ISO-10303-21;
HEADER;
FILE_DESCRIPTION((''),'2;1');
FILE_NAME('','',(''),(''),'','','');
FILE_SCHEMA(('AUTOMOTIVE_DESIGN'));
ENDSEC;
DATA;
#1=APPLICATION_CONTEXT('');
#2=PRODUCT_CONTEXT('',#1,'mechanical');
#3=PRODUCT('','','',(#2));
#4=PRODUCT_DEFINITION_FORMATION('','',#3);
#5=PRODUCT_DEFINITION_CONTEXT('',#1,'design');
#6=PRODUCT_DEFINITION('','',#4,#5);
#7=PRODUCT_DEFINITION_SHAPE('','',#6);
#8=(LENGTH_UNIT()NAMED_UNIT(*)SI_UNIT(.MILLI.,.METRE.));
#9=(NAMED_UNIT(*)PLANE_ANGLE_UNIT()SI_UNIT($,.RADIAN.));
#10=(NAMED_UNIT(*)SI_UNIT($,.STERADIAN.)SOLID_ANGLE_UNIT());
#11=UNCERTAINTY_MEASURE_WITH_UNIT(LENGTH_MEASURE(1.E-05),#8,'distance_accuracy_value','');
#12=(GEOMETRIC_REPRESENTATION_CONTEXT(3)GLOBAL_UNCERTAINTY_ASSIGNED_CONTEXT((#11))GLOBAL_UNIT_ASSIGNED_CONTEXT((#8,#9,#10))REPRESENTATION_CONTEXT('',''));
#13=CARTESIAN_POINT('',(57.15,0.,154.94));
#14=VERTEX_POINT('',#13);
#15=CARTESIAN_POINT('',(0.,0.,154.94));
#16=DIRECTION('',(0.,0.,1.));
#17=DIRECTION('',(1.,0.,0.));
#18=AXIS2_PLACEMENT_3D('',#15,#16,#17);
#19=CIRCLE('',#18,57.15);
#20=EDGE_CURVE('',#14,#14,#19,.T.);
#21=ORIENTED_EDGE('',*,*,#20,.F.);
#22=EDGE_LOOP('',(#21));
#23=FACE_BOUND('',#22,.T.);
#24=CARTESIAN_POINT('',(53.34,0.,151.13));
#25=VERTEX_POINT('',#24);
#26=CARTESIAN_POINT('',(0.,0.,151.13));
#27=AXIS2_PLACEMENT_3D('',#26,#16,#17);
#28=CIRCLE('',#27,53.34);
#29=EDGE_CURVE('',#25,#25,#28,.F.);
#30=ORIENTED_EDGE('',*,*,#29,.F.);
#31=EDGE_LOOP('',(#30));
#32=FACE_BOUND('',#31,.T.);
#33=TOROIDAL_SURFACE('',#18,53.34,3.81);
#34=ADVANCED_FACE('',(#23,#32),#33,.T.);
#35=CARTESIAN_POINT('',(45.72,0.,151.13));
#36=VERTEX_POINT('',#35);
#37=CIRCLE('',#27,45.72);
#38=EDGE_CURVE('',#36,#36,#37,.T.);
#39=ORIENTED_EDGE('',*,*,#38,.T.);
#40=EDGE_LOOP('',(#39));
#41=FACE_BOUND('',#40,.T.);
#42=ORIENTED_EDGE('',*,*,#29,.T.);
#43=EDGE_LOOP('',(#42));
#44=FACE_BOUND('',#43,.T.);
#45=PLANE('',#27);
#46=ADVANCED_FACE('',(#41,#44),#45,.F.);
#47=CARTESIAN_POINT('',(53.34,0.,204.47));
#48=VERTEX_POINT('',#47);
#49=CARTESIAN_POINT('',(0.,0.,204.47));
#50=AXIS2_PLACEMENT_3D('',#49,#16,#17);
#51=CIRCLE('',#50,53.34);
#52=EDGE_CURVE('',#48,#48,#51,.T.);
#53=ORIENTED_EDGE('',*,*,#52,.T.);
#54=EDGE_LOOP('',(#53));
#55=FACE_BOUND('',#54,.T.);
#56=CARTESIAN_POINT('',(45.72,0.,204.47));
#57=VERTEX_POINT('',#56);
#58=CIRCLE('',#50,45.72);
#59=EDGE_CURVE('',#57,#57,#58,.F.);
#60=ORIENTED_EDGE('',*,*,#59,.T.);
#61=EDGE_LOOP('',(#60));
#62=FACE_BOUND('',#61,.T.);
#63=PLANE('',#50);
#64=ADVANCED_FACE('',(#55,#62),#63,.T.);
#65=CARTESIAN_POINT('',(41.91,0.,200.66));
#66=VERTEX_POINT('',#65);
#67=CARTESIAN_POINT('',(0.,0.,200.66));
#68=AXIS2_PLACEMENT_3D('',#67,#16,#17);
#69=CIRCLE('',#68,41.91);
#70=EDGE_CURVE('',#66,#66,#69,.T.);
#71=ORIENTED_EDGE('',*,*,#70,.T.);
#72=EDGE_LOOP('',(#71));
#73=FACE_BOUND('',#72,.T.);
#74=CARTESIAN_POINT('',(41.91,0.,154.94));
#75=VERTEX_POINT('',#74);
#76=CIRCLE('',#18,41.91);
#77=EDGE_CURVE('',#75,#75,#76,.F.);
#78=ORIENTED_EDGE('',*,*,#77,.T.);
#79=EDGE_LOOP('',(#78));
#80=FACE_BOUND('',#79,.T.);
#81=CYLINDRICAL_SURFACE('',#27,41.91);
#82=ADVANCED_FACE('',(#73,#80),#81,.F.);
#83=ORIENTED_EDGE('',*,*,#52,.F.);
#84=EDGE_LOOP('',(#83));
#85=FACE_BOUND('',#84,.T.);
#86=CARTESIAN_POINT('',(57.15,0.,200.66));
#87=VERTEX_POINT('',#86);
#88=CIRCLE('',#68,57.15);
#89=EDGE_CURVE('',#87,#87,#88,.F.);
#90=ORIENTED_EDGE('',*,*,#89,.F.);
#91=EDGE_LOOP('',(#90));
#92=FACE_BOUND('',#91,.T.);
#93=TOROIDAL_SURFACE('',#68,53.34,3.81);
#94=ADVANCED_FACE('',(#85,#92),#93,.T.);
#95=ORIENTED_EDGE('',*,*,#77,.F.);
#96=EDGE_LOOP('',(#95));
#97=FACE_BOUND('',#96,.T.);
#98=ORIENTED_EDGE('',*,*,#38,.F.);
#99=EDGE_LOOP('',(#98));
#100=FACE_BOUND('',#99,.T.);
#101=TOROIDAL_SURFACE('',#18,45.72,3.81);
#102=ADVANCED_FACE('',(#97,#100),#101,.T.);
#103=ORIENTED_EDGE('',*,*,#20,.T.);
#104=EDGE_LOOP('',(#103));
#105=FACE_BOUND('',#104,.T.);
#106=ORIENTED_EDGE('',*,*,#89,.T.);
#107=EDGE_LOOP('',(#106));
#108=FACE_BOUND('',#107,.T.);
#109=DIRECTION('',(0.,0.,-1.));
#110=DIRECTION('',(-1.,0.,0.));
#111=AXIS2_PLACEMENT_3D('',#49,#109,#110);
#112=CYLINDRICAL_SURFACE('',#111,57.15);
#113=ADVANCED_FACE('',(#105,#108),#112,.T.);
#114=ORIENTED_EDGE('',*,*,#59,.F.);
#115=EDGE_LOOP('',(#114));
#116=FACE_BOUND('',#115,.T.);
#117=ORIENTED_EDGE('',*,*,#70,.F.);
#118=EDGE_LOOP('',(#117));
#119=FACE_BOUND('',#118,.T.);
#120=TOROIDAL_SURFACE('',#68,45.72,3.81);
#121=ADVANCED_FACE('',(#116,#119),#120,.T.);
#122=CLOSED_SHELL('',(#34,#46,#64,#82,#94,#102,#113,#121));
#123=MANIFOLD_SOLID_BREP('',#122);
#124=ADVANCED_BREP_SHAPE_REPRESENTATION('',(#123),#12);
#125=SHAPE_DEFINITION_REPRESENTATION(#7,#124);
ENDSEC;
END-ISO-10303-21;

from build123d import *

# Parameters (mm, degrees)
SKETCH2_R           = 381
BOSS_EXTRUDE1_DEPTH = 355.6
SKETCH3_R           = 279.4
CUT_EXTRUDE1_DEPTH  = 646.579863379
FILLET3_R           = 25.4
FILLET4_R           = 25.4
SCALE1_SCALE        = 0.15


with BuildPart() as part:
    # Sketch2 → Boss-Extrude1 (new body)
    with BuildSketch(Plane.XY):
        Circle(SKETCH2_R)
    extrude(amount=BOSS_EXTRUDE1_DEPTH)

    # Sketch3 → Cut-Extrude1 (cut, through all)
    with BuildSketch(Plane.XY.offset(355.6)):
        Circle(SKETCH3_R)
    extrude(amount=-CUT_EXTRUDE1_DEPTH, mode=Mode.SUBTRACT)

    # Fillet3
    fillet3_edges = [part.edges().sort_by_distance(p)[0] for p in [
        (-381, 0, 0),
        (-381, 0, 355.6),
    ]]
    fillet(fillet3_edges, radius=FILLET3_R)

    # Fillet4
    fillet4_edges = [part.edges().sort_by_distance(p)[0] for p in [
        (-279.4, 0, 0),
        (-279.4, 0, 355.6),
    ]]
    fillet(fillet4_edges, radius=FILLET4_R)


with BuildPart() as part_1:
    # Scale1: scaled about (0, 0, 177.8)
    add(part.part.scale(SCALE1_SCALE).moved(Location((0, 0, 151.13))))


solid = part_1.part
